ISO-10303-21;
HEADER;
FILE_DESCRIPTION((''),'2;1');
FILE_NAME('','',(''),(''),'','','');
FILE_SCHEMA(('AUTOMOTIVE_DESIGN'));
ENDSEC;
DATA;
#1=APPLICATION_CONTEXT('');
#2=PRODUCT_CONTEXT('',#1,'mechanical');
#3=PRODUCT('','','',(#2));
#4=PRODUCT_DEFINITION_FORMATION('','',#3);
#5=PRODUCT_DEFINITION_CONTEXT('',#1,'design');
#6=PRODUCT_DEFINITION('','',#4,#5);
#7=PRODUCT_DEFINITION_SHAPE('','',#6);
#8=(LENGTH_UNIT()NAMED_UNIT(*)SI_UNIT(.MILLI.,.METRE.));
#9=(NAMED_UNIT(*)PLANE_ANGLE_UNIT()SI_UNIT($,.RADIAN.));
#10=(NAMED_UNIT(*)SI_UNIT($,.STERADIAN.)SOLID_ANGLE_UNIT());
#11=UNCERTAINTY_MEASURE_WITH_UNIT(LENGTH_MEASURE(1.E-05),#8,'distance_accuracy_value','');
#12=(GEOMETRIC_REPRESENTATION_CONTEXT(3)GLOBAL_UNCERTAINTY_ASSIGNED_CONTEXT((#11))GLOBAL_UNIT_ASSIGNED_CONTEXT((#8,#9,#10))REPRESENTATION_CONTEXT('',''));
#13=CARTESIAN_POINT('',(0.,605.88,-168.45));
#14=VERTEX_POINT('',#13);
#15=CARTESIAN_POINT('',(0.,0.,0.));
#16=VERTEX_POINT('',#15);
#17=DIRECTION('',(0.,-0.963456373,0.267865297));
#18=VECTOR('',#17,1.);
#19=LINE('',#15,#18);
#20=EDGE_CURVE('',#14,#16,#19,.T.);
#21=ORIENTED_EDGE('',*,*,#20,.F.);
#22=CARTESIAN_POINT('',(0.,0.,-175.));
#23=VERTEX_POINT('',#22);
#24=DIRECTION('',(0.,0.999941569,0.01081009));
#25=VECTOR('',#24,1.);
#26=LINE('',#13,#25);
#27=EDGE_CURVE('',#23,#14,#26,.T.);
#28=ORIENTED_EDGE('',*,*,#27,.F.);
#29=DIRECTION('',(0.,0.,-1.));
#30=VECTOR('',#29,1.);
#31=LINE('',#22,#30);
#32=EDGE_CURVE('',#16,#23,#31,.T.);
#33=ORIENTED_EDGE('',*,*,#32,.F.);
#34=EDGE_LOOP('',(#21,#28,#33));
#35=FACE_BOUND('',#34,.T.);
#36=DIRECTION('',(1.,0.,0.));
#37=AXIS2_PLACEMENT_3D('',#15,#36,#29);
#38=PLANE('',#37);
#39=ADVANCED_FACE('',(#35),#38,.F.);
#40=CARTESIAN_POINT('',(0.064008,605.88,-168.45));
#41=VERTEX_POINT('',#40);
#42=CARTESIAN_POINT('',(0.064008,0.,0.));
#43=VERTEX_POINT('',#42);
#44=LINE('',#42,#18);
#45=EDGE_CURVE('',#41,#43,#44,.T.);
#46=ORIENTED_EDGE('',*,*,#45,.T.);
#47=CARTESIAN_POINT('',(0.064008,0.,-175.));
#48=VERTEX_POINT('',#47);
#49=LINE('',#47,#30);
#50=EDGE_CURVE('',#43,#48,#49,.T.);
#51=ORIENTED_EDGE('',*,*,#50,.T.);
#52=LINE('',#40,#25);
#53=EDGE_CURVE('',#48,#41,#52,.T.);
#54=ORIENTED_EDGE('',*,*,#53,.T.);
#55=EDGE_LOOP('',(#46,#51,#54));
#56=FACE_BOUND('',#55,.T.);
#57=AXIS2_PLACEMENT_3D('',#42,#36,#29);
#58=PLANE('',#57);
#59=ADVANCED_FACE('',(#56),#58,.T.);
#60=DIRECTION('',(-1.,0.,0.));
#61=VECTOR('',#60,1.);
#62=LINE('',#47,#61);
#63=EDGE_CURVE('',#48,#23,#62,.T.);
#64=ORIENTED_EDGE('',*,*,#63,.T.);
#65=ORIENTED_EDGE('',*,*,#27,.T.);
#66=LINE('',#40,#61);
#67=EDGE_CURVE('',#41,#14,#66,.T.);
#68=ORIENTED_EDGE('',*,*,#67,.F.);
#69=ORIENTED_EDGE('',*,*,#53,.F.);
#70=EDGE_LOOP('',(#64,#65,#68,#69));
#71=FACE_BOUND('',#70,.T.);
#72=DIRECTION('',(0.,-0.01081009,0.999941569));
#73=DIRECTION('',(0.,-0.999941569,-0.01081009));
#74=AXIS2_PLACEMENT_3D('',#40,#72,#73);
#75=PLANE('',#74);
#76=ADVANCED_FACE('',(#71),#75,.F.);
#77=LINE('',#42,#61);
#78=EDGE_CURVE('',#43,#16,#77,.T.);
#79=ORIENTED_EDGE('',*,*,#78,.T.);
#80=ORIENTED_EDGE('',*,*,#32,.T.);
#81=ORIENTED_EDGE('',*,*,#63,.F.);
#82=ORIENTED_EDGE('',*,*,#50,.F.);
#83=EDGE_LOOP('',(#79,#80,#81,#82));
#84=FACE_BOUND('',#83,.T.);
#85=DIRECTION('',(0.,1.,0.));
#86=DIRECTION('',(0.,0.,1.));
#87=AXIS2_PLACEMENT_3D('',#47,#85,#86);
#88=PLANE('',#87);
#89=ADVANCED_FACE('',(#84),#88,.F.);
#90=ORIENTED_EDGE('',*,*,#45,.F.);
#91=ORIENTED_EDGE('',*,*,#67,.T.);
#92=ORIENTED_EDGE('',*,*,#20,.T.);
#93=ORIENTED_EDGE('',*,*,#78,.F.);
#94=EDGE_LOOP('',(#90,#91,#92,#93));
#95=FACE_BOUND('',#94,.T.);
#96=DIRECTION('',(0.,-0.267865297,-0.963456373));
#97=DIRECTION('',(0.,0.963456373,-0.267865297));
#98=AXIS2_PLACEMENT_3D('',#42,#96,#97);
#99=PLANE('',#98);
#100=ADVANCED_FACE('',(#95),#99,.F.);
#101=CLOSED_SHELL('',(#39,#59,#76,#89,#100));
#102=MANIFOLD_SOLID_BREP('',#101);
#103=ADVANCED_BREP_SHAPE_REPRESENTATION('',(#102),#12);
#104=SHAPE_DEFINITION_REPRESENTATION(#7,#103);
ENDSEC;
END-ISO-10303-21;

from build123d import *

# Parameters (mm, degrees)
BOSS_EXTRUDE1_DEPTH = 0.064008


with BuildPart() as part:
    # Sketch1 → Boss-Extrude1 (new body)
    with BuildSketch(Plane(origin=(0, 0, 0), x_dir=(0, 0, -1), z_dir=(1, 0, 0))):
        Polygon((0, 0), (168.45, 605.88), (175, 0), align=None)
    extrude(amount=BOSS_EXTRUDE1_DEPTH)


solid = part.part
